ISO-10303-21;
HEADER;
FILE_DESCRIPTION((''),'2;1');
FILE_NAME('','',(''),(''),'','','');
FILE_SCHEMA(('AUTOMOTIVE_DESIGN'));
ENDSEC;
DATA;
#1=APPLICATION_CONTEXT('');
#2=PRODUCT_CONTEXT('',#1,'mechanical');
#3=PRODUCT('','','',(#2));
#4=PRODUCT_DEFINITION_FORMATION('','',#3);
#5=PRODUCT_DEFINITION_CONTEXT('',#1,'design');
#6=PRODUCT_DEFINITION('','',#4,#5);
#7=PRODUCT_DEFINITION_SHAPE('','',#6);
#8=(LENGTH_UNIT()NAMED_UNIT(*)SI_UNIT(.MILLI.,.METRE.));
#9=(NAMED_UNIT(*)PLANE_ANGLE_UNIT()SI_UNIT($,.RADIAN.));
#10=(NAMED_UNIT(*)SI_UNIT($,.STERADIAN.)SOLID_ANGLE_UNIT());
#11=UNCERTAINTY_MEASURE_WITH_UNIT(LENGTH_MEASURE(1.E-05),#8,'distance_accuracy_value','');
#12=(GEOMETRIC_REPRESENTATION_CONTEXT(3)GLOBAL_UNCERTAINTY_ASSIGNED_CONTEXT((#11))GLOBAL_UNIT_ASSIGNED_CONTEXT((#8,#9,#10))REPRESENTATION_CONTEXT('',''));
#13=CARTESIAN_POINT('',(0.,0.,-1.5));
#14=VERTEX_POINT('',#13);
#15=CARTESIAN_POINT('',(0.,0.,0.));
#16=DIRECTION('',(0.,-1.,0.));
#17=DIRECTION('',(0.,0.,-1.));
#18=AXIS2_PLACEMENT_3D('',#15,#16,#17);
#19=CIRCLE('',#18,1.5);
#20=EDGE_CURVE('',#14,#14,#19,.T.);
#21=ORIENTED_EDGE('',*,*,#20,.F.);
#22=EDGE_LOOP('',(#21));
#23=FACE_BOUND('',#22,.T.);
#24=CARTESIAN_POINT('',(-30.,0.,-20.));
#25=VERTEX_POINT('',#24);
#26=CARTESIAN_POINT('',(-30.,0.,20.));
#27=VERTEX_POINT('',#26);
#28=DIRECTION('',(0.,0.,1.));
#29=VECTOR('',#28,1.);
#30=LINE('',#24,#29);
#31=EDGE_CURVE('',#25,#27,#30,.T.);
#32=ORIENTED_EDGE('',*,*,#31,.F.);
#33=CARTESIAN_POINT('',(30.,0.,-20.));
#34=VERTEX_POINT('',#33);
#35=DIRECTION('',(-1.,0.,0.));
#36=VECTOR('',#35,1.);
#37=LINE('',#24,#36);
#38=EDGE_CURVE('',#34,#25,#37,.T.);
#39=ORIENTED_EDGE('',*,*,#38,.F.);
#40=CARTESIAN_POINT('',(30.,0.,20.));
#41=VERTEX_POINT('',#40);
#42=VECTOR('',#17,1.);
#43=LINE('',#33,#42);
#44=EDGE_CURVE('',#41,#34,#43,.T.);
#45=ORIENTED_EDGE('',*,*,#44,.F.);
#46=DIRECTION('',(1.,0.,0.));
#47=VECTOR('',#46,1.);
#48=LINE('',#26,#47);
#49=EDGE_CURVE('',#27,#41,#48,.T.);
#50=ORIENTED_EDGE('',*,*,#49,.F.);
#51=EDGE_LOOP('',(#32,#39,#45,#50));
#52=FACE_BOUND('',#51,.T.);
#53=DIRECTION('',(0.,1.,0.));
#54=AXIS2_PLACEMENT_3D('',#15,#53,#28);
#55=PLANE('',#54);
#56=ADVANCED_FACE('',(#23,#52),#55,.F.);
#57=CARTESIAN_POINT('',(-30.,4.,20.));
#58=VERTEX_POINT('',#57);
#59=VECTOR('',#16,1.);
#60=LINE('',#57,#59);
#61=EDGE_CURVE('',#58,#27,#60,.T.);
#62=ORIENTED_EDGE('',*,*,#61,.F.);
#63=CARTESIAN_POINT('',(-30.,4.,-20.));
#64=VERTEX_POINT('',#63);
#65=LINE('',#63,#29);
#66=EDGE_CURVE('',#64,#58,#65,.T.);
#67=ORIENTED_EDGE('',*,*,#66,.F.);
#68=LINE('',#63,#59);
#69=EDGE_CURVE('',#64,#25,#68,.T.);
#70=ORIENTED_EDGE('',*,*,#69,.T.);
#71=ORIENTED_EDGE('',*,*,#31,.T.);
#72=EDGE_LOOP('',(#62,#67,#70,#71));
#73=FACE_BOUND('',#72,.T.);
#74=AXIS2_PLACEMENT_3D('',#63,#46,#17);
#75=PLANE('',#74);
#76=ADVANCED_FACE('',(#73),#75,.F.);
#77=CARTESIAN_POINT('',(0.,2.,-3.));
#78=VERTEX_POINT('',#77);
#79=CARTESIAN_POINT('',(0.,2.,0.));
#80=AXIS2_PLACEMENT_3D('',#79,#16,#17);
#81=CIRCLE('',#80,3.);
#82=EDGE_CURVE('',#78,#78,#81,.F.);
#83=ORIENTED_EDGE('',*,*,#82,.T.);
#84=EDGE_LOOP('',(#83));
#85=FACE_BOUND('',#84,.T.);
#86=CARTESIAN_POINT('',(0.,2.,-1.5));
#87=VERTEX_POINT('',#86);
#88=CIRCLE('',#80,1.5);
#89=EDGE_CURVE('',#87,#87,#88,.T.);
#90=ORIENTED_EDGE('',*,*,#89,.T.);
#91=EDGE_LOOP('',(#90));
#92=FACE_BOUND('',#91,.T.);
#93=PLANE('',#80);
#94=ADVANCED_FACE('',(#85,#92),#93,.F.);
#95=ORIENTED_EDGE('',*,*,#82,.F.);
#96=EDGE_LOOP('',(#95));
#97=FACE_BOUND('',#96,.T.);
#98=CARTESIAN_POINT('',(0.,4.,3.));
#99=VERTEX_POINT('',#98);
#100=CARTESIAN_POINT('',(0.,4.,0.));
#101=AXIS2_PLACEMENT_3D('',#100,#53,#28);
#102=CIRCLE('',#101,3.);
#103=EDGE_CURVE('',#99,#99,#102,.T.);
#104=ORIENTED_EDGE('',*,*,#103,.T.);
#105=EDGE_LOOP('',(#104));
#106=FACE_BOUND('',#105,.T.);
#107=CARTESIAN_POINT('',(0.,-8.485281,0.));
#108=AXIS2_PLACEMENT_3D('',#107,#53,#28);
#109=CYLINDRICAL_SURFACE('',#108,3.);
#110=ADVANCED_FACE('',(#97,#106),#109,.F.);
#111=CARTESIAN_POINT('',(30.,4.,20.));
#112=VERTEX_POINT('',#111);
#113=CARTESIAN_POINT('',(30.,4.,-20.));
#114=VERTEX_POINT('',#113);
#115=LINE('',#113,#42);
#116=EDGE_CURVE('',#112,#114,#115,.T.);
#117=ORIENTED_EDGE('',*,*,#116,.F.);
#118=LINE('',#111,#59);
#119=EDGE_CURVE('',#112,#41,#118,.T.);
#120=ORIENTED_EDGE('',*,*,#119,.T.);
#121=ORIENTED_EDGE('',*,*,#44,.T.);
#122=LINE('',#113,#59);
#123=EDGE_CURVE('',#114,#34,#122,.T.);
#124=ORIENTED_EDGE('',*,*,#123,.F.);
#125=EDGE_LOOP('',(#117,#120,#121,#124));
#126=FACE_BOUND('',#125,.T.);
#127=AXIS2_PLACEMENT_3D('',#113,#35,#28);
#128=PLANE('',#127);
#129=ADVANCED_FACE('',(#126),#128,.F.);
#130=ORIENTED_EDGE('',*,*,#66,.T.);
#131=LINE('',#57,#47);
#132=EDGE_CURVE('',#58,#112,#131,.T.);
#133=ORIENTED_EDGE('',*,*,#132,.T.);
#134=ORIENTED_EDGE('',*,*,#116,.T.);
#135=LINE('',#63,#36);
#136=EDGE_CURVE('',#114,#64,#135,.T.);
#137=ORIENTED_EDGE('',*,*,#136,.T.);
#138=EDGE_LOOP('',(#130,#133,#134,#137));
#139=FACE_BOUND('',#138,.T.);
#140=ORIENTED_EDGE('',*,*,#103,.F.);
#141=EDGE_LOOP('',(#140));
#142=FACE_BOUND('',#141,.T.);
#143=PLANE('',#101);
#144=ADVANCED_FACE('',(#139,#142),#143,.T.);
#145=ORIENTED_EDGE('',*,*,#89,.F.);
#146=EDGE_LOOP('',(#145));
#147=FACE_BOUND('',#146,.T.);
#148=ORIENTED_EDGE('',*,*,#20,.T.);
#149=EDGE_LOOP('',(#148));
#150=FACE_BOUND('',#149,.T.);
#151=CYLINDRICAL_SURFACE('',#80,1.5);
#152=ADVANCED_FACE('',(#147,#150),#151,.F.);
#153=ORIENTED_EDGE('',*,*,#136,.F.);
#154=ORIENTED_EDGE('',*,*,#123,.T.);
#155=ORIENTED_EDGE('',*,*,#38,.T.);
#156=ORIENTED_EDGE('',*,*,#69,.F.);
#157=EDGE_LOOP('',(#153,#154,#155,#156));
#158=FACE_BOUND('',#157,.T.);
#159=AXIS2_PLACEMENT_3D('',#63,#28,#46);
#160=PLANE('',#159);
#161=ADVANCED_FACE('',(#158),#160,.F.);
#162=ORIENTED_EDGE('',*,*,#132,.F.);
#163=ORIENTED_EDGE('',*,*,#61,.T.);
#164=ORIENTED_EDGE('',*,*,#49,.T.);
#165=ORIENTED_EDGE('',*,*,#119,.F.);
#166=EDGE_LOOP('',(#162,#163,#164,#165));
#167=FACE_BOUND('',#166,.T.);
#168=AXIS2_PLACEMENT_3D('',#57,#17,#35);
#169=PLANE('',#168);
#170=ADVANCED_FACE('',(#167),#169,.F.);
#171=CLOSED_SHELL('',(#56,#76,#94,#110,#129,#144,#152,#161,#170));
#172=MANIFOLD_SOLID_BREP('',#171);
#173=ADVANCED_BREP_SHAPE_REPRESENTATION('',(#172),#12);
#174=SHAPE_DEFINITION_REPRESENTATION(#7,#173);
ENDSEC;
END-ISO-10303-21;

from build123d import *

# Parameters (mm, degrees)
SKETCH1_W           = 60
SKETCH1_H           = 40
BOSS_EXTRUDE1_DEPTH = 4
SKETCH2_R           = 3
CUT_EXTRUDE1_DEPTH  = 4
BOSS_EXTRUDE2_START = -2
SKETCH3_R           = 3
SKETCH3_R_2         = 1.5
BOSS_EXTRUDE2_DEPTH = 2


with BuildPart() as part:
    # Sketch1 → Boss-Extrude1 (new body)
    with BuildSketch(Plane(origin=(0, 0, 0), x_dir=(1, 0, 0), z_dir=(0, 1, 0))):
        Rectangle(SKETCH1_W, SKETCH1_H)
    extrude(amount=BOSS_EXTRUDE1_DEPTH)

    # Sketch2 → Cut-Extrude1 (cut)
    with BuildSketch(Plane(origin=(0, 4, 0), x_dir=(1, 0, 0), z_dir=(0, 1, 0))):
        with Locations(Location((0, 0, 0), (0, 0, 270))):
            Circle(SKETCH2_R)
    extrude(amount=-CUT_EXTRUDE1_DEPTH, mode=Mode.SUBTRACT)

    # Sketch3 → Boss-Extrude2 (add)
    with BuildSketch(Plane.XZ.offset(BOSS_EXTRUDE2_START)):
        with Locations(Location((0, 0, 0), (0, 0, 90))):
            Circle(SKETCH3_R)
        with Locations(Location((0, 0, 0), (0, 0, 270))):
            Circle(SKETCH3_R_2, mode=Mode.SUBTRACT)
    extrude(amount=BOSS_EXTRUDE2_DEPTH)


solid = part.part
